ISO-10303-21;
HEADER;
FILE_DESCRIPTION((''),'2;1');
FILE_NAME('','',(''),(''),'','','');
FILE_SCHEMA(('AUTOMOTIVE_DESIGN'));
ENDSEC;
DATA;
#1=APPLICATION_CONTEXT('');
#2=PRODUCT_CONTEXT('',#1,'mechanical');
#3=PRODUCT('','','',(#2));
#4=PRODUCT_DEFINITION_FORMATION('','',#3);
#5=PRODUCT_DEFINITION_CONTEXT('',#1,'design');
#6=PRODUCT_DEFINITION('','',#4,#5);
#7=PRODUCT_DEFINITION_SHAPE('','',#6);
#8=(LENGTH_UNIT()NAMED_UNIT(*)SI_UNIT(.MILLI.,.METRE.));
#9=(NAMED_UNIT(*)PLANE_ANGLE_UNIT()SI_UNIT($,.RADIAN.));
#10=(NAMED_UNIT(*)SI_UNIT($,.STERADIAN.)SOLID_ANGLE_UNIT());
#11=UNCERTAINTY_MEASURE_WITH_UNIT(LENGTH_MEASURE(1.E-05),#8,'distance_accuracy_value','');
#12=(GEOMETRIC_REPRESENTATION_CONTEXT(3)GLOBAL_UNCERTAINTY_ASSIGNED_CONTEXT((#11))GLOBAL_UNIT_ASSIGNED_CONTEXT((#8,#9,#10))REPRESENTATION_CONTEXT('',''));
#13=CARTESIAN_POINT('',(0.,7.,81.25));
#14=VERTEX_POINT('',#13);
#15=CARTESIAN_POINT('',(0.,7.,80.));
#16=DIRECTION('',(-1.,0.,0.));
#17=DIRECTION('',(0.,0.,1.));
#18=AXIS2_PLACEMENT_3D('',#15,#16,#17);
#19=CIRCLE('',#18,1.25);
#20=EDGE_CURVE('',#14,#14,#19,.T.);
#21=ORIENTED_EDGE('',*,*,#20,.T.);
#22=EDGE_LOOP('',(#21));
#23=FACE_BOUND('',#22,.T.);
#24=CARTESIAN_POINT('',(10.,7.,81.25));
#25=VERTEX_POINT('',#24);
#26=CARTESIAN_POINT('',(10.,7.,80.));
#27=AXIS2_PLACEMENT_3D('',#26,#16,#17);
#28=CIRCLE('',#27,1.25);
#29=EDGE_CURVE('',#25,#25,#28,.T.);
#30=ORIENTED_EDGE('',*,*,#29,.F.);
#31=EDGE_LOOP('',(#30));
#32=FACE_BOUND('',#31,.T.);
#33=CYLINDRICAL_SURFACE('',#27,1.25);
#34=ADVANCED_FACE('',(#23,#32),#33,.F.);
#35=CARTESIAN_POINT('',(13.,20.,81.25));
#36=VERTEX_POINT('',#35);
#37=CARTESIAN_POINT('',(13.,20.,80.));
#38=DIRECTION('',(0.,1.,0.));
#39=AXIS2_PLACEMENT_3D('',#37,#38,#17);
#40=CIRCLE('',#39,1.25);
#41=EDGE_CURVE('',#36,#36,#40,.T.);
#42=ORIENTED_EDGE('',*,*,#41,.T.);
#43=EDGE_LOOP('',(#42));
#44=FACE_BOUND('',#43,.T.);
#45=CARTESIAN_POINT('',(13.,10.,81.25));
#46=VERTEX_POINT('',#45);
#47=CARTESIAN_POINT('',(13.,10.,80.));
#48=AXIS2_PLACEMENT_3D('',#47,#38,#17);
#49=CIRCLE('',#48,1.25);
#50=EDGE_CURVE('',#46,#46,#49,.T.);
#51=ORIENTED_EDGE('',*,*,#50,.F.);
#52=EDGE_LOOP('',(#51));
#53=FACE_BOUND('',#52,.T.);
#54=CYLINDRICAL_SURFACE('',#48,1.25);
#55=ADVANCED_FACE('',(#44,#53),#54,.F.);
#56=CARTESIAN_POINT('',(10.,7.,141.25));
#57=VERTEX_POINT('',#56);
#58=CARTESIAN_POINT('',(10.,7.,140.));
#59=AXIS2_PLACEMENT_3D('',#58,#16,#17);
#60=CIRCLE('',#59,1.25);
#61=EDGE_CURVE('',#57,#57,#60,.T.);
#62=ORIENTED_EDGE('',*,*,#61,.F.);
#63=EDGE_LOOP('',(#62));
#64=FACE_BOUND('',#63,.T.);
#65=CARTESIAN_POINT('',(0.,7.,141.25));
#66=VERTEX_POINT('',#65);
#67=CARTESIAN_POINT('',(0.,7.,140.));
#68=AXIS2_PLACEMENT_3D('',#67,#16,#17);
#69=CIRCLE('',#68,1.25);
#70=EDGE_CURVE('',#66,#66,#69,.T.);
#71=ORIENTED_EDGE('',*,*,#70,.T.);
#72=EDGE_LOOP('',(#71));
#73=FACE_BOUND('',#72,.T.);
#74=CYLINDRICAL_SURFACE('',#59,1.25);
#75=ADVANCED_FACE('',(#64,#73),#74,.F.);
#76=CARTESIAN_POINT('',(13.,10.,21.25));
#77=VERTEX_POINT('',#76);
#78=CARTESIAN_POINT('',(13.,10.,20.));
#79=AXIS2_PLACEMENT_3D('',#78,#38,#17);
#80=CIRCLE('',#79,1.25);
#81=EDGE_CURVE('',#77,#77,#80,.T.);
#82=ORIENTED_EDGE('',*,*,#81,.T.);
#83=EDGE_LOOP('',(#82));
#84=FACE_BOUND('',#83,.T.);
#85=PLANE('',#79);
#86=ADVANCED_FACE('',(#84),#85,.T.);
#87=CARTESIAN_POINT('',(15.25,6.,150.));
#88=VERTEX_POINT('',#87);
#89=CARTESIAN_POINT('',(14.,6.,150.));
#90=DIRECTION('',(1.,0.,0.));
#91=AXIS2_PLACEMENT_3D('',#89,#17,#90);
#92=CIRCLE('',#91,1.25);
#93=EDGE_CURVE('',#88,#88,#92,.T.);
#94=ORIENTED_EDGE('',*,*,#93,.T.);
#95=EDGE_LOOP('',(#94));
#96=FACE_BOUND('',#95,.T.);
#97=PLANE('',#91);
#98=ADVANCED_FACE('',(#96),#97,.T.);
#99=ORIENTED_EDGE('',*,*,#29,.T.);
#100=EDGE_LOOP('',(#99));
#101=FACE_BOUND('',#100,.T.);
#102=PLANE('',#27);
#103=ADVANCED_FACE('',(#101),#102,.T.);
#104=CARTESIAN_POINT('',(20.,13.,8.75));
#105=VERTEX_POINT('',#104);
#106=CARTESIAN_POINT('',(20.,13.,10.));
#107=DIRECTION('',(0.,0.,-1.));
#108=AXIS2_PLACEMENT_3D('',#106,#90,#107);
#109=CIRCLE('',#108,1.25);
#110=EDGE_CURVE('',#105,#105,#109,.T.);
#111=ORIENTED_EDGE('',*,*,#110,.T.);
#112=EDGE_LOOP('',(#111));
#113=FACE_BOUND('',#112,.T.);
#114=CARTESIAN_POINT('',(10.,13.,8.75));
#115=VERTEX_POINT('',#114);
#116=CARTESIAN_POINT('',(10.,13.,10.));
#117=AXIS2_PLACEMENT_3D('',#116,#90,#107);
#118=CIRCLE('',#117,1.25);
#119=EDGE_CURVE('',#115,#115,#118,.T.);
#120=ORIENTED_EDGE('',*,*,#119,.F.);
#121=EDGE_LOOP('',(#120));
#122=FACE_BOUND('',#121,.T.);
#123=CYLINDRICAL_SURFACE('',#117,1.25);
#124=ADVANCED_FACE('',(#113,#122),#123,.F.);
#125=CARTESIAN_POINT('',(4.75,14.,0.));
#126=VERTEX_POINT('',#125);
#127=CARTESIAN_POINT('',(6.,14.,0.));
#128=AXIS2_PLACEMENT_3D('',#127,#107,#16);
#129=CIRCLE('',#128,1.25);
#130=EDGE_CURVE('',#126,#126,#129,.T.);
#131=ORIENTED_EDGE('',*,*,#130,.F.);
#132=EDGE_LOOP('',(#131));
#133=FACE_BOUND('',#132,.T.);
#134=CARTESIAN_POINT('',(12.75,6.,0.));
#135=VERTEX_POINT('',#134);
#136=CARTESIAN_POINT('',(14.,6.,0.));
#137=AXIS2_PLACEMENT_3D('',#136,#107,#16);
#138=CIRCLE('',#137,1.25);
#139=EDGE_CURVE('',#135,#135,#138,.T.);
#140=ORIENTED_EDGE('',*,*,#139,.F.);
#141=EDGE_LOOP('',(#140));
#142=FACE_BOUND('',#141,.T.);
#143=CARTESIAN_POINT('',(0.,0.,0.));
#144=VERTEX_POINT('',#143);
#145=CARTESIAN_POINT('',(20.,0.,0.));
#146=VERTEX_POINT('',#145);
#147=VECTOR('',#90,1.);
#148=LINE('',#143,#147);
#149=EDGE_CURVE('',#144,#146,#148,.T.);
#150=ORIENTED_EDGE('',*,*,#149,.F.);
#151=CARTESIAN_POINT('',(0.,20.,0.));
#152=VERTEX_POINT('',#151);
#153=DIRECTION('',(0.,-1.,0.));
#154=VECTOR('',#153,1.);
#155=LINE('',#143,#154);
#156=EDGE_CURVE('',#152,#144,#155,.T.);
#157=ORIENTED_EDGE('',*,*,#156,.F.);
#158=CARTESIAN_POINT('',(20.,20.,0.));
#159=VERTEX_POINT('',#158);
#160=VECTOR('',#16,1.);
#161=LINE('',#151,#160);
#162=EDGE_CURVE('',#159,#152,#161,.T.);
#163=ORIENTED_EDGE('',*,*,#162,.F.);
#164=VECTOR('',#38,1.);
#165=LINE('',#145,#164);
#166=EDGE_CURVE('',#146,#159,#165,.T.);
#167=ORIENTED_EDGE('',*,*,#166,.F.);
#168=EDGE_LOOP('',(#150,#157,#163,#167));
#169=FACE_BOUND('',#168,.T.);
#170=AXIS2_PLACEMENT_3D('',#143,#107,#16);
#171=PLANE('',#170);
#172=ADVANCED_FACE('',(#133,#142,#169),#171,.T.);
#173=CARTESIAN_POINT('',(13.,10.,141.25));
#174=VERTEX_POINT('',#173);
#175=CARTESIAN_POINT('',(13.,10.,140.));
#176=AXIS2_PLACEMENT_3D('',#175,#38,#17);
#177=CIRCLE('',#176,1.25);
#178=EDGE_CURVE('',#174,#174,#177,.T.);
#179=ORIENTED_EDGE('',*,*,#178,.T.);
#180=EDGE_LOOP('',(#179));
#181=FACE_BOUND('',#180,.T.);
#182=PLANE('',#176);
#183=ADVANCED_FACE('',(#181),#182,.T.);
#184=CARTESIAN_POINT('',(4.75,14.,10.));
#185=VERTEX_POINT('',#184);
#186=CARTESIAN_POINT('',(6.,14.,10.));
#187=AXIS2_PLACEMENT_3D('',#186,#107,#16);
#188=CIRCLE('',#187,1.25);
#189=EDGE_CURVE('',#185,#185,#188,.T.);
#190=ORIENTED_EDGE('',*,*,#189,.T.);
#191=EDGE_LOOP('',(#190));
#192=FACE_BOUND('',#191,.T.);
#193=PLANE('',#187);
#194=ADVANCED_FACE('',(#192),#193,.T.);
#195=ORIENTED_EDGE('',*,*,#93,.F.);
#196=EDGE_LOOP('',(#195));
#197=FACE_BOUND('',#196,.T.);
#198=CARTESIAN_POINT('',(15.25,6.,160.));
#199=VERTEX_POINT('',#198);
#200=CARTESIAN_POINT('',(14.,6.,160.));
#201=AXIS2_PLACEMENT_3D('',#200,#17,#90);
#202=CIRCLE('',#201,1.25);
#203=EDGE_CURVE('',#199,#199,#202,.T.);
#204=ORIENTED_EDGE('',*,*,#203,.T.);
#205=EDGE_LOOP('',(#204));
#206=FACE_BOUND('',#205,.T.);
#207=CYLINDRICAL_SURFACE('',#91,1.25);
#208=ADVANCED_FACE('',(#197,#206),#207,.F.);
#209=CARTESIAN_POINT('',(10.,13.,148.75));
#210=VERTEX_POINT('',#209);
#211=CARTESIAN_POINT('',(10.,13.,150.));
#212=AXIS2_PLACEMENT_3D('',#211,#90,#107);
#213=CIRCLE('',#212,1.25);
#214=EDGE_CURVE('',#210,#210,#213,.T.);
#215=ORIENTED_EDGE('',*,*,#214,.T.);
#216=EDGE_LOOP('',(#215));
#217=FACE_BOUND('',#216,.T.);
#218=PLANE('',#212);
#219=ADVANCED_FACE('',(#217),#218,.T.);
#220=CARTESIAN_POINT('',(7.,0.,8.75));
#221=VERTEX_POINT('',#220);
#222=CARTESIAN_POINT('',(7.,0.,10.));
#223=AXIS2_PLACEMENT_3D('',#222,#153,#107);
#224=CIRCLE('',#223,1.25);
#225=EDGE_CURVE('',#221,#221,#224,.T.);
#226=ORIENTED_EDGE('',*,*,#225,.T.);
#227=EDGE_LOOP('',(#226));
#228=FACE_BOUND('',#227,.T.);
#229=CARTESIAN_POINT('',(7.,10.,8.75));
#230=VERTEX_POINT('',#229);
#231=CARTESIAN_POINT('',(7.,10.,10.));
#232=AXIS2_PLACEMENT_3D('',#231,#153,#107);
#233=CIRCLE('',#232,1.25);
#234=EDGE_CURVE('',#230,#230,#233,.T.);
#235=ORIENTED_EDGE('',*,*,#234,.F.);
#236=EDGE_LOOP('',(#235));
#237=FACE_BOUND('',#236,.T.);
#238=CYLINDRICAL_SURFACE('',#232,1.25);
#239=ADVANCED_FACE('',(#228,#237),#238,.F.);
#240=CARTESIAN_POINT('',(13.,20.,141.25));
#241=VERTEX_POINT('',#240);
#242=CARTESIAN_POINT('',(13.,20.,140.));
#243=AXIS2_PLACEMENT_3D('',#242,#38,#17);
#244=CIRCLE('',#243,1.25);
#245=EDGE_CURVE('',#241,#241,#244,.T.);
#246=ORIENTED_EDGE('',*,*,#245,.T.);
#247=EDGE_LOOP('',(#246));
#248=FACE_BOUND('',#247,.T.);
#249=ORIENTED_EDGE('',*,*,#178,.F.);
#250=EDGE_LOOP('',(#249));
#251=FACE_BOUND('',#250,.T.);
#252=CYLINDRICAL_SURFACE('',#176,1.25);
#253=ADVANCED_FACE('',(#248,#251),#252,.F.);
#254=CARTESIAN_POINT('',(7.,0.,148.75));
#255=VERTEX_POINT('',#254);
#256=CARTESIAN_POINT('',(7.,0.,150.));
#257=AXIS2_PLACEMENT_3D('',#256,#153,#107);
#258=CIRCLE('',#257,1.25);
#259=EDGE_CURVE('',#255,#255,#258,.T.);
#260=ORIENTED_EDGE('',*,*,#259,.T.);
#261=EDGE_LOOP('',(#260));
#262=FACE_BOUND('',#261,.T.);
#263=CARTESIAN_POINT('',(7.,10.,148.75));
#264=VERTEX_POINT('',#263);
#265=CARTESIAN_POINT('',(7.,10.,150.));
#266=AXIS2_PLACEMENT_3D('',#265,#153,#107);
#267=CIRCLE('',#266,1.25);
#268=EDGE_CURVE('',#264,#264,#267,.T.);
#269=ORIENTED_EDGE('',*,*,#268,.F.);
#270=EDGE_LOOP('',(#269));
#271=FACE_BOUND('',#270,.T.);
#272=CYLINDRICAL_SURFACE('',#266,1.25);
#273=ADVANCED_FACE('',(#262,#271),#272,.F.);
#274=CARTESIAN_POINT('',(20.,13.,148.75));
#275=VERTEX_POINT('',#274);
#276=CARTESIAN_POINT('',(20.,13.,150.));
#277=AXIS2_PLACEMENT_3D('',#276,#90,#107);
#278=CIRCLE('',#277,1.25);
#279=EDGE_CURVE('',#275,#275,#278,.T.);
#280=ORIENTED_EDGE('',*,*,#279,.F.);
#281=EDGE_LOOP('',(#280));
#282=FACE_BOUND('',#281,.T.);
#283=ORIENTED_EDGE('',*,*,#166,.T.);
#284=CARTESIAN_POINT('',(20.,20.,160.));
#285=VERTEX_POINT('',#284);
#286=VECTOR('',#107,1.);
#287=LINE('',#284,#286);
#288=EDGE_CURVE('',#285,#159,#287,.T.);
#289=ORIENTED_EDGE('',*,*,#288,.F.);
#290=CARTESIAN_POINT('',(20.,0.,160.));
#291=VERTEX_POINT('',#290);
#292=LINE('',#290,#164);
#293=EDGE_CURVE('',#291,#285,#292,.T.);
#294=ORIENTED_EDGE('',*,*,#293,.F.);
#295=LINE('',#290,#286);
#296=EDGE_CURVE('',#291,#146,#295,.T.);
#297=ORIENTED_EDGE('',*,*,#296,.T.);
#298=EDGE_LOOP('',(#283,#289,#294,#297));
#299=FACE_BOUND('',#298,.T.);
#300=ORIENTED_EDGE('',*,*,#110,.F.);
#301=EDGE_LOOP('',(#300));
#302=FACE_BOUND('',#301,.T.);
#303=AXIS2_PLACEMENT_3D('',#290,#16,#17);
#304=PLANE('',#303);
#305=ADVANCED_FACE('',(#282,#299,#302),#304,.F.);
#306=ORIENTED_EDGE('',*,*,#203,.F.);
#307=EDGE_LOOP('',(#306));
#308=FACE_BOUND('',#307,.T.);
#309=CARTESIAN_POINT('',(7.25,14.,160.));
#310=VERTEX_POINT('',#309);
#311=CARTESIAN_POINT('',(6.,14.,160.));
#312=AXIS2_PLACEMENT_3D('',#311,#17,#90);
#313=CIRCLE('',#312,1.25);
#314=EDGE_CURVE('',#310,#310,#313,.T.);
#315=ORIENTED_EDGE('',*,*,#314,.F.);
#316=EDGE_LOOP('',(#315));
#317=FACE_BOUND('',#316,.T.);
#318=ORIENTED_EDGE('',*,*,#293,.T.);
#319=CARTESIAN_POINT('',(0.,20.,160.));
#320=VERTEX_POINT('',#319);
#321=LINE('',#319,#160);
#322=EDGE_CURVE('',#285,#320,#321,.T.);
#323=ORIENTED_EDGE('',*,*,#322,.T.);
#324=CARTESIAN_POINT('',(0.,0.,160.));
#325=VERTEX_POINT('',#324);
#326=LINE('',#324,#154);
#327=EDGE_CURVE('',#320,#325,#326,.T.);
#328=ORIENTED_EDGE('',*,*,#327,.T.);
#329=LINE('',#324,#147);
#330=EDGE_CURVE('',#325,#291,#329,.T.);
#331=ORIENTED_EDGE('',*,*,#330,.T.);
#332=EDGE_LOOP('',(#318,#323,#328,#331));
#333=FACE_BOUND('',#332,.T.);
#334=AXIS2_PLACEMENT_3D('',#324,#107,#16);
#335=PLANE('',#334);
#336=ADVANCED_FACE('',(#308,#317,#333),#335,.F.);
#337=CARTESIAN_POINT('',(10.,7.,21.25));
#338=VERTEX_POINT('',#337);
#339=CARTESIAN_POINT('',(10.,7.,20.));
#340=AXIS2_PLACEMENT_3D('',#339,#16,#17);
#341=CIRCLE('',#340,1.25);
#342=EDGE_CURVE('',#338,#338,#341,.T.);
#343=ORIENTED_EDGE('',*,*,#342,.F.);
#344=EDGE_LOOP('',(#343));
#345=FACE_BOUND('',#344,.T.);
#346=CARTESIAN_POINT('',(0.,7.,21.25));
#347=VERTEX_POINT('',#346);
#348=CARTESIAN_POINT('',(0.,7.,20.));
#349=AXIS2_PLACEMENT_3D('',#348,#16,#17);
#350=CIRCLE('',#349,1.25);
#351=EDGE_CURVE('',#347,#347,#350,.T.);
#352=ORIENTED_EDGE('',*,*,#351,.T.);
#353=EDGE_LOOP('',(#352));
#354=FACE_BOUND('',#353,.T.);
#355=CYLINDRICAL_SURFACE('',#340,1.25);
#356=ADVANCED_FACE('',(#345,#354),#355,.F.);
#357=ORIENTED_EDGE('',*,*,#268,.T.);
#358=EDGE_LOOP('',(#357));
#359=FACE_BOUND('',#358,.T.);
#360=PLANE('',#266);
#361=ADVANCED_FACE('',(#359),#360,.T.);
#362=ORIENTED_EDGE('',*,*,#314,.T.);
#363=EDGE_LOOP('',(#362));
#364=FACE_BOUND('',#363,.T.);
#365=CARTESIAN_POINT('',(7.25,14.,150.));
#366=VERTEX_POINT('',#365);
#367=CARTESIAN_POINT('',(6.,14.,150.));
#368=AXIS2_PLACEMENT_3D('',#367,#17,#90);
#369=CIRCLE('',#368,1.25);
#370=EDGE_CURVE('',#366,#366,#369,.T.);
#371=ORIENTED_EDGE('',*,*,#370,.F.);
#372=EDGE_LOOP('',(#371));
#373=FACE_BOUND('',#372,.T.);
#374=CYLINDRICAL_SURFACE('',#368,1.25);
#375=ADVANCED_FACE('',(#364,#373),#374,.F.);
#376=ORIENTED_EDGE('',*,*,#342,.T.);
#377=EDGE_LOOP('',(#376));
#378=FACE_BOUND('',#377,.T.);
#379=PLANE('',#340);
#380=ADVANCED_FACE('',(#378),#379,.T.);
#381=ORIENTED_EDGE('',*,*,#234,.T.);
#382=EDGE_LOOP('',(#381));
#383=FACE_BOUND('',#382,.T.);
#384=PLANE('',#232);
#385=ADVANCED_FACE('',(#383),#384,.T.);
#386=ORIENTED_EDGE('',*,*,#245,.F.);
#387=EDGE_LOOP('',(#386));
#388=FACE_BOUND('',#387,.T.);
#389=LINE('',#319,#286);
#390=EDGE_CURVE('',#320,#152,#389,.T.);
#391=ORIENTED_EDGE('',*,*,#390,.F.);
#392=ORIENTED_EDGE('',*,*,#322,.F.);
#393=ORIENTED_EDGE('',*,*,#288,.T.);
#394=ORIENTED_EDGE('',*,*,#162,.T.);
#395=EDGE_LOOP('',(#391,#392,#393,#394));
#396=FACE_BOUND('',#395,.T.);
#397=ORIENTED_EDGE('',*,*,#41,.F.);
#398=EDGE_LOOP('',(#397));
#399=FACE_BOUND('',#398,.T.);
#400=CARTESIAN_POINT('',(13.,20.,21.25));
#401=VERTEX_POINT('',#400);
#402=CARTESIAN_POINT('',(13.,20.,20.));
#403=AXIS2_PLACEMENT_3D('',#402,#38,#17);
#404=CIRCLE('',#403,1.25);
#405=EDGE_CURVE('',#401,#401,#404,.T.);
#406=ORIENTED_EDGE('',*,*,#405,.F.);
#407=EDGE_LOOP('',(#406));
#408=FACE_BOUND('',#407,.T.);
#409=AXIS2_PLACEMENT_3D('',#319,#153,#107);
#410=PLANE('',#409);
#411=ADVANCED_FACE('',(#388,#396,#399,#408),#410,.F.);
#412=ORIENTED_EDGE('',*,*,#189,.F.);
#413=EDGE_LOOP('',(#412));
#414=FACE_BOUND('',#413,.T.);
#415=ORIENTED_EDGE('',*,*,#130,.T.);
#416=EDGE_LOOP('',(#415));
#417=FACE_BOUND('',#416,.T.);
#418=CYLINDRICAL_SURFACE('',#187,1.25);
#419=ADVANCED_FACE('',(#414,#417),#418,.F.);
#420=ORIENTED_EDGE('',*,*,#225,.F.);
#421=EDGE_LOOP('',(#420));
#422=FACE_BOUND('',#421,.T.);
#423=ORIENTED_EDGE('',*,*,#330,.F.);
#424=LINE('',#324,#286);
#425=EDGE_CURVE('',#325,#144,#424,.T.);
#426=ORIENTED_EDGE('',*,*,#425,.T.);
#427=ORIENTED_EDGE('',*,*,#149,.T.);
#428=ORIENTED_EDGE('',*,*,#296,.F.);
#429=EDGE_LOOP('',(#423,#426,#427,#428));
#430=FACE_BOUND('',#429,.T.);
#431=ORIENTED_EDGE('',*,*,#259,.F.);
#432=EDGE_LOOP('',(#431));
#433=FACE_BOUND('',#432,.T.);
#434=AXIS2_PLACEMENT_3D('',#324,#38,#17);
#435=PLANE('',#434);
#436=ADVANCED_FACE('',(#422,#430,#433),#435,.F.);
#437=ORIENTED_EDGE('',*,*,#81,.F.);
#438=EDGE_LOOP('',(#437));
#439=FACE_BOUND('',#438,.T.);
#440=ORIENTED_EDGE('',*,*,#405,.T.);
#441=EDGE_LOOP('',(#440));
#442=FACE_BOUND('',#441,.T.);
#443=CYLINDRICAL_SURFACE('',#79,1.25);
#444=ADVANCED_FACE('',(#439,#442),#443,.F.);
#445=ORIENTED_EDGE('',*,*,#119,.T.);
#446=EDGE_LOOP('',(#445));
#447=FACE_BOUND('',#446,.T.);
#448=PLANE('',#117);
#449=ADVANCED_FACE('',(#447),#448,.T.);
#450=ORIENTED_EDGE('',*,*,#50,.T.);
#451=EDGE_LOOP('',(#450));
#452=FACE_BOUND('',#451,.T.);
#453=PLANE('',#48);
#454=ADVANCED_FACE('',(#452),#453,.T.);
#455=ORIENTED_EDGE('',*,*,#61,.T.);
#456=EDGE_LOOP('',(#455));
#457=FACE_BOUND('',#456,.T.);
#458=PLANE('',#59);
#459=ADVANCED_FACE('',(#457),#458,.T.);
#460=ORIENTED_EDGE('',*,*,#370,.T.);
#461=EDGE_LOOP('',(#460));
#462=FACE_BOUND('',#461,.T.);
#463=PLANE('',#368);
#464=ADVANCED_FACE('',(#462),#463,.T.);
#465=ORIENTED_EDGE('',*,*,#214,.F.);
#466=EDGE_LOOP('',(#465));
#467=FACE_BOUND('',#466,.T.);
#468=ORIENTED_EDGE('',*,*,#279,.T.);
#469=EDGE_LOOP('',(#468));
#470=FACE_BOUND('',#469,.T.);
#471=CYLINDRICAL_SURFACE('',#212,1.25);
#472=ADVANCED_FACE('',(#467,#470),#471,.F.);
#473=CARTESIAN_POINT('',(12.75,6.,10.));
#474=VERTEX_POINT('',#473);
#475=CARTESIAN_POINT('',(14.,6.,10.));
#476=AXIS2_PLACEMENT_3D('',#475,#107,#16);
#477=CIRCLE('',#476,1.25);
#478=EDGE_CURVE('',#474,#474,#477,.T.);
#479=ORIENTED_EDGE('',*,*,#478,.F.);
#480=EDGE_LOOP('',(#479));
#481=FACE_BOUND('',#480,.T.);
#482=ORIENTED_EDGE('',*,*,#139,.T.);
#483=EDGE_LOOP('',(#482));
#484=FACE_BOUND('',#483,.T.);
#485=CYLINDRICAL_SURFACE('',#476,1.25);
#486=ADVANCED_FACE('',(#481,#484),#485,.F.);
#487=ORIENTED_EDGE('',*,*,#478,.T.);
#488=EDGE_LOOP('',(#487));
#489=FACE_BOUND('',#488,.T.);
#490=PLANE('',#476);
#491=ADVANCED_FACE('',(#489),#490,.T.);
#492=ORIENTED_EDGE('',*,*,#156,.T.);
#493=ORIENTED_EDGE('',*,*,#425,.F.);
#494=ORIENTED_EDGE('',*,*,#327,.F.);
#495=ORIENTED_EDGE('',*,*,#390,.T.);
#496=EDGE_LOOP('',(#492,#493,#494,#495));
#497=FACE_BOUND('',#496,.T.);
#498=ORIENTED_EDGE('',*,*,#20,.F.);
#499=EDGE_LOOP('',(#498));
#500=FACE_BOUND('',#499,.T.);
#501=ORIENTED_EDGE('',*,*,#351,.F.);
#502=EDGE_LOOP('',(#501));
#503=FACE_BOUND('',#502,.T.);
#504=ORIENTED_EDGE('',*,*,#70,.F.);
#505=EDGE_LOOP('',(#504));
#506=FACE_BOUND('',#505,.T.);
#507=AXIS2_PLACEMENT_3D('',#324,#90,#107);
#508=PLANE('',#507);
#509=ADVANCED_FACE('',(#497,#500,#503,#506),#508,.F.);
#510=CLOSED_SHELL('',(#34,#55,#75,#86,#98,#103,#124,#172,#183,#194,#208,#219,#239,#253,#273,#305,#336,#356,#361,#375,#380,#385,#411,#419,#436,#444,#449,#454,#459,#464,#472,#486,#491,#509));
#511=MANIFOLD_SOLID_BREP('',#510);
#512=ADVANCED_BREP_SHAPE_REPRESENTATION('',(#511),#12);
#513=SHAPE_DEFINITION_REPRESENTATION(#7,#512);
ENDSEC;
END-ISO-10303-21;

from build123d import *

# Parameters (mm, degrees)
IZIM1_W                     = 20
IZIM1_H                     = 20
Y_KSEKLIK_EKSTR_ZYON1_DEPTH = 160
IZIM13_R                    = 1.25
KES_EKSTR_ZYON1_DEPTH       = 10
KES_EKSTR_ZYON2_START       = -10
IZIM15_R                    = 1.25
KES_EKSTR_ZYON2_DEPTH       = 10
IZIM18_R                    = 1.25
KES_EKSTR_ZYON3_DEPTH       = 10
IZIM20_R                    = 1.25
KES_EKSTR_ZYON4_DEPTH       = 10
SKETCH1_R                   = 1.25
CUT_EXTRUDE1_DEPTH          = 10
SKETCH2_R                   = 1.25
CUT_EXTRUDE2_DEPTH          = 10


with BuildPart() as part:
    # Çizim1 → Yükseklik-Ekstrüzyon1 (new body)
    with BuildSketch(Plane.XY):
        with Locations((10, 10)):
            Rectangle(IZIM1_W, IZIM1_H)
    extrude(amount=Y_KSEKLIK_EKSTR_ZYON1_DEPTH)

    # Çizim13 → Kes-Ekstrüzyon1 (cut)
    with BuildSketch(Plane.XY.offset(160)):
        with Locations((14, 6)):
            Circle(IZIM13_R)
        with Locations((6, 14)):
            Circle(IZIM13_R)
    extrude(amount=-KES_EKSTR_ZYON1_DEPTH, mode=Mode.SUBTRACT)

    # Çizim15 → Kes-Ekstrüzyon2 (cut)
    with BuildSketch(Plane(origin=(0, 0, 0), x_dir=(-1, 0, 0), z_dir=(0, 0, -1)).offset(KES_EKSTR_ZYON2_START)):
        with Locations(Location((-14, 6, 0), (0, 0, 180))):
            Circle(IZIM15_R)
        with Locations(Location((-6, 14, 0), (0, 0, 180))):
            Circle(IZIM15_R)
    extrude(amount=KES_EKSTR_ZYON2_DEPTH, mode=Mode.SUBTRACT)

    # Çizim18 → Kes-Ekstrüzyon3 (cut)
    with BuildSketch(Plane(origin=(20, 0, 0), x_dir=(0, 0, -1), z_dir=(1, 0, 0))):
        with Locations((-10, 13)):
            Circle(IZIM18_R)
        with Locations((-150, 13)):
            Circle(IZIM18_R)
    extrude(amount=-KES_EKSTR_ZYON3_DEPTH, mode=Mode.SUBTRACT)

    # Çizim20 → Kes-Ekstrüzyon4 (cut)
    with BuildSketch(Plane.XZ):
        with Locations(Location((7, 10, 0), (0, 0, 270))):
            Circle(IZIM20_R)
        with Locations(Location((7, 150, 0), (0, 0, 270))):
            Circle(IZIM20_R)
    extrude(amount=-KES_EKSTR_ZYON4_DEPTH, mode=Mode.SUBTRACT)

    # Sketch1 → Cut-Extrude1 (cut)
    with BuildSketch(Plane(origin=(0, 20, 0), x_dir=(1, 0, 0), z_dir=(0, 1, 0))):
        with Locations(Location((13, -20, 0), (0, 0, 270))):
            Circle(SKETCH1_R)
        with Locations(Location((13, -80, 0), (0, 0, 270))):
            Circle(SKETCH1_R)
        with Locations(Location((13, -140, 0), (0, 0, 270))):
            Circle(SKETCH1_R)
    extrude(amount=-CUT_EXTRUDE1_DEPTH, mode=Mode.SUBTRACT)

    # Sketch2 → Cut-Extrude2 (cut)
    with BuildSketch(Plane.ZY):
        with Locations((20, 7)):
            Circle(SKETCH2_R)
        with Locations((80, 7)):
            Circle(SKETCH2_R)
        with Locations((140, 7)):
            Circle(SKETCH2_R)
    extrude(amount=-CUT_EXTRUDE2_DEPTH, mode=Mode.SUBTRACT)


solid = part.part
